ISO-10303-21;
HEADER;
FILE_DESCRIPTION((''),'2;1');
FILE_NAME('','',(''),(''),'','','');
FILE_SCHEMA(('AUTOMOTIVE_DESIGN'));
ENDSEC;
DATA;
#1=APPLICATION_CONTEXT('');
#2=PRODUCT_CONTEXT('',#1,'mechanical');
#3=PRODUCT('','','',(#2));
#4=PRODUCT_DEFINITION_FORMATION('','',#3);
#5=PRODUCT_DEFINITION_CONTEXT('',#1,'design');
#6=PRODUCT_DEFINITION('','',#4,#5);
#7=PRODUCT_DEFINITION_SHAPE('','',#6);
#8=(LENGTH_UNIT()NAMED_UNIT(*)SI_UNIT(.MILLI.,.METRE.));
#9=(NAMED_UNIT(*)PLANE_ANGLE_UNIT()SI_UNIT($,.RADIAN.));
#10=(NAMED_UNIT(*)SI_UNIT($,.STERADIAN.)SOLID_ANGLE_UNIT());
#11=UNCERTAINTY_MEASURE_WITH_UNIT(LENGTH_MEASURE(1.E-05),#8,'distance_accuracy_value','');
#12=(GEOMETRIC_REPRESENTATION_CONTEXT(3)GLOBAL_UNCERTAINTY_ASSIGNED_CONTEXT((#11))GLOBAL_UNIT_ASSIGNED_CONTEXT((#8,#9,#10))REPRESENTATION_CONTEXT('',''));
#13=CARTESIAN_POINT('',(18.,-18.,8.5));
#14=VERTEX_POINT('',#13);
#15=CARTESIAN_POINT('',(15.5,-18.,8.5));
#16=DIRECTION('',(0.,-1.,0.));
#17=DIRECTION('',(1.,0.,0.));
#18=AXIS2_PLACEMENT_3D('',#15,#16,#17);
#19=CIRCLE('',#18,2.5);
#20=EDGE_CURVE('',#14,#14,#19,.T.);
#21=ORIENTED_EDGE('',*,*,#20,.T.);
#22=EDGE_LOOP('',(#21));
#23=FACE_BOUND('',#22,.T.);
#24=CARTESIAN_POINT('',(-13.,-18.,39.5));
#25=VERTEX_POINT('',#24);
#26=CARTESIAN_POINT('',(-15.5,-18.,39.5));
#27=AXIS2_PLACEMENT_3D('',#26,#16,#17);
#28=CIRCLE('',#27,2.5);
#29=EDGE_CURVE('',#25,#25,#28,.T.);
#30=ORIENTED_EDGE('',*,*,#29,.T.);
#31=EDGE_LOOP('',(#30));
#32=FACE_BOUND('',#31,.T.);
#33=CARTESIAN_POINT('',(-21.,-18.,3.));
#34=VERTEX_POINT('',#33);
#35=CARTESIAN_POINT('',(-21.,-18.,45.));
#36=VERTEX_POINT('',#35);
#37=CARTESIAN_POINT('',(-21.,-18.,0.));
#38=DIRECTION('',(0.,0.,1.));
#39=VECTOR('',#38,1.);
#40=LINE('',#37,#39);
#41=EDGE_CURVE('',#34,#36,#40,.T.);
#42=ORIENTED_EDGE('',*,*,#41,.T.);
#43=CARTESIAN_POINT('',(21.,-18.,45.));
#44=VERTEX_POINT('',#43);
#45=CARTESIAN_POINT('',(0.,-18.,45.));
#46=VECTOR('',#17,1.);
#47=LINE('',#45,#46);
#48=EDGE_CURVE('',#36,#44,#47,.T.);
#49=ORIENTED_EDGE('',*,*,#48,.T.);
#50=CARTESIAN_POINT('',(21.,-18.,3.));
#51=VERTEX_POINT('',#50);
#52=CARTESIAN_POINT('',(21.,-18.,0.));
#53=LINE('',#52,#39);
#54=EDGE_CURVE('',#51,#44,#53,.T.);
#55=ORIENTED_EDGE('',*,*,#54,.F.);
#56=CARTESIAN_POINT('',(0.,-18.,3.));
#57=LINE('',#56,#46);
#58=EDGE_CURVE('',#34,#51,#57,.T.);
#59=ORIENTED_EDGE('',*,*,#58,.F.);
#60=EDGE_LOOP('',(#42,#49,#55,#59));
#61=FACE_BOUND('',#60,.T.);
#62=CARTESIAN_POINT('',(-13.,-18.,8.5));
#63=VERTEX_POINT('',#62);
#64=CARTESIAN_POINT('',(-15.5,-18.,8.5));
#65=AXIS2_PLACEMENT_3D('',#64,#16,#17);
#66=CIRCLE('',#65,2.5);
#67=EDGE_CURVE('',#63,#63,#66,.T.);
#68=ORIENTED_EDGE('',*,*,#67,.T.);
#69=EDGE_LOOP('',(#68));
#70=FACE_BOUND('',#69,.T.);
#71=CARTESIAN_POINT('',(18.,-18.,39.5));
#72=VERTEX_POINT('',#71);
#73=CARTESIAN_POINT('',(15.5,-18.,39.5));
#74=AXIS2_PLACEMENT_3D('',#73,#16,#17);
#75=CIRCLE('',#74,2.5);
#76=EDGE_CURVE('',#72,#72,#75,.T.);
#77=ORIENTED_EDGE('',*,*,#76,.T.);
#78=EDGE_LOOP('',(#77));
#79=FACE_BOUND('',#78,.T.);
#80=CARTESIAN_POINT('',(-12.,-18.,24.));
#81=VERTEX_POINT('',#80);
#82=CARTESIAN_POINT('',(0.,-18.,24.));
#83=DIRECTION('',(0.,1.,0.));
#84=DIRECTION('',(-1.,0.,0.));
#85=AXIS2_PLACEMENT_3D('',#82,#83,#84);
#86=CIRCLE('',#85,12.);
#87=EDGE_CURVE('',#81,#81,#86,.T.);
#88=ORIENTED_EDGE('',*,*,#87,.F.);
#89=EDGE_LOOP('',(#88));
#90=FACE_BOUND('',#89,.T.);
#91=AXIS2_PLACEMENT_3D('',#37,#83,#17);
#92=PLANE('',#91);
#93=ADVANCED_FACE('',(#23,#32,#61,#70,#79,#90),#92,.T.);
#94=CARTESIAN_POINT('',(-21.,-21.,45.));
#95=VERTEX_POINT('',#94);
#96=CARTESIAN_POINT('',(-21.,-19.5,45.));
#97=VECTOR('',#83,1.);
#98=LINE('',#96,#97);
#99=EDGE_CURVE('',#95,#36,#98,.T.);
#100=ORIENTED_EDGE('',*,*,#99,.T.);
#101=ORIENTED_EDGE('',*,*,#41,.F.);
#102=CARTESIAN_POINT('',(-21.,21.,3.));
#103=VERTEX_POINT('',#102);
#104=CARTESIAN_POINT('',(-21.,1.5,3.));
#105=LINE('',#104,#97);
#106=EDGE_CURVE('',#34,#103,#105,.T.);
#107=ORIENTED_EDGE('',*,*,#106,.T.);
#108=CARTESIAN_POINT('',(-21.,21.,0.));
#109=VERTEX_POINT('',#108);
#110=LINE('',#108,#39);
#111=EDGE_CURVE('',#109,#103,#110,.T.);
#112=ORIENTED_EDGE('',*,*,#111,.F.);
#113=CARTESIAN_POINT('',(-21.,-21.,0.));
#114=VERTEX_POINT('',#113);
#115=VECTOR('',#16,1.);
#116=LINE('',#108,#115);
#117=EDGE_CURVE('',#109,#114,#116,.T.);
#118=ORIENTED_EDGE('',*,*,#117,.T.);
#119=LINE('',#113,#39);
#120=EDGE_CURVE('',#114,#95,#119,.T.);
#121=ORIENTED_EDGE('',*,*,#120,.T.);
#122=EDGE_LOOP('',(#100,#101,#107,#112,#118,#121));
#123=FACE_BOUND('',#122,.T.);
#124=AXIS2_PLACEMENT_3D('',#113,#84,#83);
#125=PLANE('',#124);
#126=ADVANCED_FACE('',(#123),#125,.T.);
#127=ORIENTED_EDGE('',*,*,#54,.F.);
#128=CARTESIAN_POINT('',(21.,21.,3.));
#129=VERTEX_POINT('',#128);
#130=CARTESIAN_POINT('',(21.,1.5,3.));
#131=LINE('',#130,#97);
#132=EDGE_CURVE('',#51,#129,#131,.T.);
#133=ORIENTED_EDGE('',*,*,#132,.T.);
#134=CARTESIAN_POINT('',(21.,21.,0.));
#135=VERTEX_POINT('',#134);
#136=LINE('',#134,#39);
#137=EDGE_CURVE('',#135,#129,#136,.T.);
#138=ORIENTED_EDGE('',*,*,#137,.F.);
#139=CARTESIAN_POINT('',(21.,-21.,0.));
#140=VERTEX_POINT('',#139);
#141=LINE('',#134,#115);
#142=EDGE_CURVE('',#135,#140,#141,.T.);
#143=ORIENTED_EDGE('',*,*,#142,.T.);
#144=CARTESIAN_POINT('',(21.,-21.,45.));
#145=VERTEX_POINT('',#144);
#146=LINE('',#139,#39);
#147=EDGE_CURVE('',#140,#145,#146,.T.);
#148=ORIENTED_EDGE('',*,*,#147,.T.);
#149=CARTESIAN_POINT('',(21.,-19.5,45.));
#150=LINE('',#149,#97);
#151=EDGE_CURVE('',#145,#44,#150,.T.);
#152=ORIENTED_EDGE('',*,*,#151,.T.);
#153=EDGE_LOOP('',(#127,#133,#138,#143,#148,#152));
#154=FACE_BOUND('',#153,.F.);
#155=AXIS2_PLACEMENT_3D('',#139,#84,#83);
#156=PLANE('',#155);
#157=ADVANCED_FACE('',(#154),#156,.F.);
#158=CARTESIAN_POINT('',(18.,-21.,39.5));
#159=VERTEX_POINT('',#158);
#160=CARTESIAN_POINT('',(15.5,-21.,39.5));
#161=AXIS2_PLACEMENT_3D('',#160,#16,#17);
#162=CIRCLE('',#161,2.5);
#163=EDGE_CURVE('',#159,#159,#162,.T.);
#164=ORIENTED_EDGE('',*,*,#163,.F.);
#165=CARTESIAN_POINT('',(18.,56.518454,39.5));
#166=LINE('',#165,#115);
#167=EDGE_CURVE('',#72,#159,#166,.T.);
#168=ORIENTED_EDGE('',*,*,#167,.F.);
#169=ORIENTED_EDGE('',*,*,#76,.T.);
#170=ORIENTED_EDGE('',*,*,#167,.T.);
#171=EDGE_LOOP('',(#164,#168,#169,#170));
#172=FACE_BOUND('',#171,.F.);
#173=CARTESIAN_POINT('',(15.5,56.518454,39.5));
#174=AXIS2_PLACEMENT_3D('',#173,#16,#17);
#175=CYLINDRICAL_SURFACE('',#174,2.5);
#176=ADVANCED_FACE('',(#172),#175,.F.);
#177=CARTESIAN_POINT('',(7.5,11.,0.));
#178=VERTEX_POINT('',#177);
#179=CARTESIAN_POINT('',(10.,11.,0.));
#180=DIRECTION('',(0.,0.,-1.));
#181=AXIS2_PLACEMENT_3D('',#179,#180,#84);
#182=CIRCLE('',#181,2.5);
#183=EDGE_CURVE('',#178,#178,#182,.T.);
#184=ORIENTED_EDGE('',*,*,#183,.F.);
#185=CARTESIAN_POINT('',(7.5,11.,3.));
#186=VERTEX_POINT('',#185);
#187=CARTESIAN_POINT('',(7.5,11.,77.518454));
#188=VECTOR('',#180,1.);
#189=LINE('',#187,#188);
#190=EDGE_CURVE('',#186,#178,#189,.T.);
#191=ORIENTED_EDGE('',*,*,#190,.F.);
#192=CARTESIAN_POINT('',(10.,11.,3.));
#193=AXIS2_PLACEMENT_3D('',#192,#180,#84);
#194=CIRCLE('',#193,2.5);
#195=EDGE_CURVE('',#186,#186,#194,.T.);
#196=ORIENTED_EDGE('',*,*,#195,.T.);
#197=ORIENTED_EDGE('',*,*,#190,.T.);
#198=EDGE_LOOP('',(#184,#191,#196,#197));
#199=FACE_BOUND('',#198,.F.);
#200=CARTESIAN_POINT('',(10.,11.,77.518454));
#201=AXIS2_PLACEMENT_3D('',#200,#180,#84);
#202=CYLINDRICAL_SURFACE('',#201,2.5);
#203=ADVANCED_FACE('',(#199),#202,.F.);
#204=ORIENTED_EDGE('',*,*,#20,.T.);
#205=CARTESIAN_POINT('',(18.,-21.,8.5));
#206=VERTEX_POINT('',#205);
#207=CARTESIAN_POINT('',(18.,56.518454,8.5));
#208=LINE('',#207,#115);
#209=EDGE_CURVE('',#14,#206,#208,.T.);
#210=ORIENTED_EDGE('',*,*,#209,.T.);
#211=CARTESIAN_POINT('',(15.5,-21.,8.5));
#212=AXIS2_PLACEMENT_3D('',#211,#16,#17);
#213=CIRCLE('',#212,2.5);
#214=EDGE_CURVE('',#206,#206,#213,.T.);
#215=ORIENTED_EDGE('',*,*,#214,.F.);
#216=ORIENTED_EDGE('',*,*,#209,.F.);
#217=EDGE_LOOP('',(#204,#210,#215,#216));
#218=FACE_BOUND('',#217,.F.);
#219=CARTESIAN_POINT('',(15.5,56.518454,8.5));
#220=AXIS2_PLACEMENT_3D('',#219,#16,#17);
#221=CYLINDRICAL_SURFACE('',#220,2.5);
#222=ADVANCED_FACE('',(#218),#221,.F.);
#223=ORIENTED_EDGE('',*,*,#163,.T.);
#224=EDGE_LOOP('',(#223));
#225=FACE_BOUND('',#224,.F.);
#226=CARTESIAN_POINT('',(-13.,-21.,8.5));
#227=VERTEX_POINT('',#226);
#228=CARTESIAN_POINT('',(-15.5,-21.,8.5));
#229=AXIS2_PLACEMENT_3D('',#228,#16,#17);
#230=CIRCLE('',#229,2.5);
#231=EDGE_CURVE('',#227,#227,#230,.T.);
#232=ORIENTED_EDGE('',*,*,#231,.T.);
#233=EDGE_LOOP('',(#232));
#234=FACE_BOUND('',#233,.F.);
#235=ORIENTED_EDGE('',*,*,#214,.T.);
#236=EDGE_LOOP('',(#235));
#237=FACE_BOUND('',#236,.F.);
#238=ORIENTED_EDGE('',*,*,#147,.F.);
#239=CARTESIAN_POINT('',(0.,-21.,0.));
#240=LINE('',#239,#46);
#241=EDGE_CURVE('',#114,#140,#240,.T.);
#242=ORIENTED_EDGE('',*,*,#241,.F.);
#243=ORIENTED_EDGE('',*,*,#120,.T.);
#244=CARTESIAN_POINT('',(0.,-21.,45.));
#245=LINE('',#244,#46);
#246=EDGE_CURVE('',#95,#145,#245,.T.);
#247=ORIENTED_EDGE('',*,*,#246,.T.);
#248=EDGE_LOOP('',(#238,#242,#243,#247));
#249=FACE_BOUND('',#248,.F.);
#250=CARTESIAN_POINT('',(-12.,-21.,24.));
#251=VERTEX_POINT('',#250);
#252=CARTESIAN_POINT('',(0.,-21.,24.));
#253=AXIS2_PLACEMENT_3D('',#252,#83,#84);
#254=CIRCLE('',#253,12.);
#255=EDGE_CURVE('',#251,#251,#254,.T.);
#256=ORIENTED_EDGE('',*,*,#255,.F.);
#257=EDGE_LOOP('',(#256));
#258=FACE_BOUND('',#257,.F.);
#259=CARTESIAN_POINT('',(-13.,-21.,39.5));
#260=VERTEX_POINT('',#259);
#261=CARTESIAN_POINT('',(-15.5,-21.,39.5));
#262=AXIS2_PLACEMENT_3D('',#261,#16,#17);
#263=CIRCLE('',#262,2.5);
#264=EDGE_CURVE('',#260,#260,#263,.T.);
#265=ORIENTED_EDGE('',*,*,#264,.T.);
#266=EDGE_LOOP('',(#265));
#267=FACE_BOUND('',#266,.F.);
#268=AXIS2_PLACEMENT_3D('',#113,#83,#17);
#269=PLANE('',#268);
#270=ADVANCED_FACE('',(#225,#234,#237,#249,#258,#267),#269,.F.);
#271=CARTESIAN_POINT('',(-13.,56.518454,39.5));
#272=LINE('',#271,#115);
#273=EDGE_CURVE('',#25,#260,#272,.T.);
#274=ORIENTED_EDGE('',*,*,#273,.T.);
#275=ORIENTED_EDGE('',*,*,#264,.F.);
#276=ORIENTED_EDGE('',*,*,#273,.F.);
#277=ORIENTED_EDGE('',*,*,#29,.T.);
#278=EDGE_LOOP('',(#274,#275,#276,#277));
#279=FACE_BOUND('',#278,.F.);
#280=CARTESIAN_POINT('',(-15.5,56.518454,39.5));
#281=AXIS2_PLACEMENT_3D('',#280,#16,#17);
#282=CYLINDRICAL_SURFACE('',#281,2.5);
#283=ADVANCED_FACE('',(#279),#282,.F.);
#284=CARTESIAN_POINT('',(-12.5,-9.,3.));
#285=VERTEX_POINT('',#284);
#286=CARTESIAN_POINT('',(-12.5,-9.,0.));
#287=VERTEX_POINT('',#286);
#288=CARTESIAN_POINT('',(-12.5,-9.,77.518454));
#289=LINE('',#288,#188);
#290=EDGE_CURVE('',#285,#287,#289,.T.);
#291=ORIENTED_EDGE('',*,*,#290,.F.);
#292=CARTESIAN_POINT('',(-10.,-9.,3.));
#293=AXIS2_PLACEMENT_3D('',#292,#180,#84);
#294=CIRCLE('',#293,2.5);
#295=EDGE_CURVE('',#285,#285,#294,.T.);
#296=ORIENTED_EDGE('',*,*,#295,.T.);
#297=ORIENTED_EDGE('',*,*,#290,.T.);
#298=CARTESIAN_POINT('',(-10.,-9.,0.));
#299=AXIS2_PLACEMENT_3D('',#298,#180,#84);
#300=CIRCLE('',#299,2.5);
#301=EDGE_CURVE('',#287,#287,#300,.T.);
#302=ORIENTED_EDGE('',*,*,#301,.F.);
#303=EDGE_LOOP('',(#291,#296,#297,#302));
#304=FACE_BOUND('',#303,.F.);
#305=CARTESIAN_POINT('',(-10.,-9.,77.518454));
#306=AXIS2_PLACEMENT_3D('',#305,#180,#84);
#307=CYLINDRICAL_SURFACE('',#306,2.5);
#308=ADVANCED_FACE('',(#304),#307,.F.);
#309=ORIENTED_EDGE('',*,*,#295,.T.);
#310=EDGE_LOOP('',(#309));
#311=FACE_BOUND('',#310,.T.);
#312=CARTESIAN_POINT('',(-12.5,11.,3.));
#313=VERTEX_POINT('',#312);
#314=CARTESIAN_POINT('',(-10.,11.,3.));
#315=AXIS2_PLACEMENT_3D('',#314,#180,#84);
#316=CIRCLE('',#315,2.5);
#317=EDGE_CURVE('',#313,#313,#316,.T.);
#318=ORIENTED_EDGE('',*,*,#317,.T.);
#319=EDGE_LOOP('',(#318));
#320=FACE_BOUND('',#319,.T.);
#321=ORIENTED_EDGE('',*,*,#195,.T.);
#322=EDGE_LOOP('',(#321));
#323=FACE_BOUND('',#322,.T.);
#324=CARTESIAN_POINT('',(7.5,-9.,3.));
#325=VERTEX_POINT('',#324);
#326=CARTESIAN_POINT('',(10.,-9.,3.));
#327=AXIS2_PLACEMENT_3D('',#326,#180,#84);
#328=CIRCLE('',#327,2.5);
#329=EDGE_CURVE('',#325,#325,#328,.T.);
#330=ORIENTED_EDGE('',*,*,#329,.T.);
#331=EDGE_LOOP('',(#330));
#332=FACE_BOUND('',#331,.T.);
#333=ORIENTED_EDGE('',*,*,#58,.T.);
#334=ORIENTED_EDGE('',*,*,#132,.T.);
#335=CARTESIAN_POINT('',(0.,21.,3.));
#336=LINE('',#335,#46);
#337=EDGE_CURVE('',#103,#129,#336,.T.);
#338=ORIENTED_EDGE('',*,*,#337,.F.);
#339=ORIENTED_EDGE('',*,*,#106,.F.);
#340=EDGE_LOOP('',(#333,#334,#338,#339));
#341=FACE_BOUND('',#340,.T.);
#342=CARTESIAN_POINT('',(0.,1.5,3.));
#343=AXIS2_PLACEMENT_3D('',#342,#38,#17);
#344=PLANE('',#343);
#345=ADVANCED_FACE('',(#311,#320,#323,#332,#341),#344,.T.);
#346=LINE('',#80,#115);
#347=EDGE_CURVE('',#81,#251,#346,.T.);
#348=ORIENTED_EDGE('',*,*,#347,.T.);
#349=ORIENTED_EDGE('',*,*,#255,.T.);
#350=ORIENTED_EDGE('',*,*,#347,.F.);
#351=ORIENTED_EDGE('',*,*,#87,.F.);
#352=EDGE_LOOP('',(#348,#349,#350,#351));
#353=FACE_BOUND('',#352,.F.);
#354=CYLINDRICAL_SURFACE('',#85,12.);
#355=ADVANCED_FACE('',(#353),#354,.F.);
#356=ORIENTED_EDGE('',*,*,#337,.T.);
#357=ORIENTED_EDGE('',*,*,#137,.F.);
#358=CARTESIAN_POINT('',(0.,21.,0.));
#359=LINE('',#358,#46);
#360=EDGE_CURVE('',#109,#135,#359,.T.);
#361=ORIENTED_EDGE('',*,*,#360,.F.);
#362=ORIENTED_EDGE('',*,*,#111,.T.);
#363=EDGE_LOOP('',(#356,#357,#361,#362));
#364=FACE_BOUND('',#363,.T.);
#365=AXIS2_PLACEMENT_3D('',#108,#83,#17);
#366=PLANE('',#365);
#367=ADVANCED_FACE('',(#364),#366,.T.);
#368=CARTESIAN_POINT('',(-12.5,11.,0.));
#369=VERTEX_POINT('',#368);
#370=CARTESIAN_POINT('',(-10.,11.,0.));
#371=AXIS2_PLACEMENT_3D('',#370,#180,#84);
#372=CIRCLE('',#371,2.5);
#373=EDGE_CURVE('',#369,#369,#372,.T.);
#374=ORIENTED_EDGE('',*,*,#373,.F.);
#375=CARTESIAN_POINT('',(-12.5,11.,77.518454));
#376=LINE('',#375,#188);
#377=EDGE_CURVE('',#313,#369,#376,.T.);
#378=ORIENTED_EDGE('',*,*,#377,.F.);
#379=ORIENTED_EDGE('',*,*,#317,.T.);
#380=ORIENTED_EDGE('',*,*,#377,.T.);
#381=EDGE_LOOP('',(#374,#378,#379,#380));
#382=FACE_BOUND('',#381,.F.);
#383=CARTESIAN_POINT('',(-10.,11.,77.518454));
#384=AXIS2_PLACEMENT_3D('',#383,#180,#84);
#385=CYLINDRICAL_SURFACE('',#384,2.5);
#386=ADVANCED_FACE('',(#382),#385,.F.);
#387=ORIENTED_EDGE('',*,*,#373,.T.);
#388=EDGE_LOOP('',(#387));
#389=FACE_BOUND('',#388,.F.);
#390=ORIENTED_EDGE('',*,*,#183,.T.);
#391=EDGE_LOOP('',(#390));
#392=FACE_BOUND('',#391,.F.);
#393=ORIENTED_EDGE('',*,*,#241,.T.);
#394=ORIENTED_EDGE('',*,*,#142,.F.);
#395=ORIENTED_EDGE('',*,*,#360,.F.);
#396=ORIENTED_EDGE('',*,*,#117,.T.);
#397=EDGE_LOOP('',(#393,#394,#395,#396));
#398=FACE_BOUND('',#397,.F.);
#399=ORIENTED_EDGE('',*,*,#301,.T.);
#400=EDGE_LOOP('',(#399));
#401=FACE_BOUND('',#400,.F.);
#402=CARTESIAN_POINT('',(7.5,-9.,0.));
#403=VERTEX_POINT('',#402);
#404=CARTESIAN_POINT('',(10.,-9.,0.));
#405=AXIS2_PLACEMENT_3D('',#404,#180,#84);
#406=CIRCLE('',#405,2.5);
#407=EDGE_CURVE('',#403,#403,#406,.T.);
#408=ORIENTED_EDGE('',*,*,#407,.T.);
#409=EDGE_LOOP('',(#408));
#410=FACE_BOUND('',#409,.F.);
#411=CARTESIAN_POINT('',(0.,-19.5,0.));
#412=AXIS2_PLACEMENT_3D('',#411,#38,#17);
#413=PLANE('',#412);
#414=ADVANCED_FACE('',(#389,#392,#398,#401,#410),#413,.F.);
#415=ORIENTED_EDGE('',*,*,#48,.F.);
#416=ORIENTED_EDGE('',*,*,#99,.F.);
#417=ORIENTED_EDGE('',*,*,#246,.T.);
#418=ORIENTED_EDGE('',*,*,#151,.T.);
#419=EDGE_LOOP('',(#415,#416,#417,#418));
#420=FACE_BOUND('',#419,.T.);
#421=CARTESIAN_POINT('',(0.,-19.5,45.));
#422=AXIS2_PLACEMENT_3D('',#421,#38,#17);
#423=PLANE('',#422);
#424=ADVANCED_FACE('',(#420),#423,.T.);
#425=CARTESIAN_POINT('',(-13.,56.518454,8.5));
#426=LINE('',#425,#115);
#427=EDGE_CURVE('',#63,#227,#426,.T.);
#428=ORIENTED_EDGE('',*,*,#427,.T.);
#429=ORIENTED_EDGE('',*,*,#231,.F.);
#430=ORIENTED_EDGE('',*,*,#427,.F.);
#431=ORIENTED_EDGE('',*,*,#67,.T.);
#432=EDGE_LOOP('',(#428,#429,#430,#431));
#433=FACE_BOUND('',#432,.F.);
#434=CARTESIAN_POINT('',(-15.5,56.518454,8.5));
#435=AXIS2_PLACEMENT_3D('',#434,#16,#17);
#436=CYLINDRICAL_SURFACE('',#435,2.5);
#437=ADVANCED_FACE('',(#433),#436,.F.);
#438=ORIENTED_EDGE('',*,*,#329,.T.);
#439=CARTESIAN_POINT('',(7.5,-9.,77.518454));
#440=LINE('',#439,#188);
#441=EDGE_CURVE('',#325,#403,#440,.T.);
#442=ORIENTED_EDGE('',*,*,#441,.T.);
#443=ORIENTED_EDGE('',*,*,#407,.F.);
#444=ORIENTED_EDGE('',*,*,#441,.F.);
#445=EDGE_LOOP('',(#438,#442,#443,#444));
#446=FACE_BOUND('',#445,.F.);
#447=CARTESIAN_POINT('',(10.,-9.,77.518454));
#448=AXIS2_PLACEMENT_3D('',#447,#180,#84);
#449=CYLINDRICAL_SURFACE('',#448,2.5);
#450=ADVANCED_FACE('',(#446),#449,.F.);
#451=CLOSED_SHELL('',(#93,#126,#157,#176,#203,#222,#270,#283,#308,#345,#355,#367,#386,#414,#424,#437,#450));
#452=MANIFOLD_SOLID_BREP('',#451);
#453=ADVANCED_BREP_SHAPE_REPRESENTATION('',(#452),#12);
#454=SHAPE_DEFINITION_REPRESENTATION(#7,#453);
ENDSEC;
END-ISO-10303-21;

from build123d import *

# Parameters (mm, degrees)
F0_W     = 42
F0_H     = 39
F1_DEPTH = 3
F0_H_2   = 3
F2_DEPTH = 45
F4_D     = 5
F6_D     = 5
F7_R     = 12
F8_DEPTH = 25


with BuildPart() as f1:
    # F0 (on Top) → F1 (new body)
    with BuildSketch(Plane.XY):
        with Locations((0, 1.5)):
            Rectangle(F0_W, F0_H)
    extrude(amount=F1_DEPTH)

    # F0 (on Top) → F2 (join)
    with BuildSketch(Plane.XY):
        with Locations((0, -19.5)):
            Rectangle(F0_W, F0_H_2)
    extrude(amount=F2_DEPTH)

    # F4 (through all)
    with Locations(Plane.XY.offset(3)):
        with Locations((10, -9), (10, 11), (-10, 11), (-10, -9)):
            Hole(F4_D / 2)

    # F6 (through all)
    with Locations(Plane(origin=(0, -18, 0), x_dir=(-1, 0, 0), z_dir=(0, 1, 0))):
        with Locations((-15.5, 39.5), (-15.5, 8.5), (15.5, 8.5), (15.5, 39.5)):
            Hole(F6_D / 2)

    # F7 (on face) → F8 (cut)
    with BuildSketch(Plane(origin=(0, -18, 0), x_dir=(-1, 0, 0), z_dir=(0, 1, 0))):
        with Locations((0, 24)):
            Circle(F7_R)
    extrude(amount=-F8_DEPTH, mode=Mode.SUBTRACT)


solid = f1.part
